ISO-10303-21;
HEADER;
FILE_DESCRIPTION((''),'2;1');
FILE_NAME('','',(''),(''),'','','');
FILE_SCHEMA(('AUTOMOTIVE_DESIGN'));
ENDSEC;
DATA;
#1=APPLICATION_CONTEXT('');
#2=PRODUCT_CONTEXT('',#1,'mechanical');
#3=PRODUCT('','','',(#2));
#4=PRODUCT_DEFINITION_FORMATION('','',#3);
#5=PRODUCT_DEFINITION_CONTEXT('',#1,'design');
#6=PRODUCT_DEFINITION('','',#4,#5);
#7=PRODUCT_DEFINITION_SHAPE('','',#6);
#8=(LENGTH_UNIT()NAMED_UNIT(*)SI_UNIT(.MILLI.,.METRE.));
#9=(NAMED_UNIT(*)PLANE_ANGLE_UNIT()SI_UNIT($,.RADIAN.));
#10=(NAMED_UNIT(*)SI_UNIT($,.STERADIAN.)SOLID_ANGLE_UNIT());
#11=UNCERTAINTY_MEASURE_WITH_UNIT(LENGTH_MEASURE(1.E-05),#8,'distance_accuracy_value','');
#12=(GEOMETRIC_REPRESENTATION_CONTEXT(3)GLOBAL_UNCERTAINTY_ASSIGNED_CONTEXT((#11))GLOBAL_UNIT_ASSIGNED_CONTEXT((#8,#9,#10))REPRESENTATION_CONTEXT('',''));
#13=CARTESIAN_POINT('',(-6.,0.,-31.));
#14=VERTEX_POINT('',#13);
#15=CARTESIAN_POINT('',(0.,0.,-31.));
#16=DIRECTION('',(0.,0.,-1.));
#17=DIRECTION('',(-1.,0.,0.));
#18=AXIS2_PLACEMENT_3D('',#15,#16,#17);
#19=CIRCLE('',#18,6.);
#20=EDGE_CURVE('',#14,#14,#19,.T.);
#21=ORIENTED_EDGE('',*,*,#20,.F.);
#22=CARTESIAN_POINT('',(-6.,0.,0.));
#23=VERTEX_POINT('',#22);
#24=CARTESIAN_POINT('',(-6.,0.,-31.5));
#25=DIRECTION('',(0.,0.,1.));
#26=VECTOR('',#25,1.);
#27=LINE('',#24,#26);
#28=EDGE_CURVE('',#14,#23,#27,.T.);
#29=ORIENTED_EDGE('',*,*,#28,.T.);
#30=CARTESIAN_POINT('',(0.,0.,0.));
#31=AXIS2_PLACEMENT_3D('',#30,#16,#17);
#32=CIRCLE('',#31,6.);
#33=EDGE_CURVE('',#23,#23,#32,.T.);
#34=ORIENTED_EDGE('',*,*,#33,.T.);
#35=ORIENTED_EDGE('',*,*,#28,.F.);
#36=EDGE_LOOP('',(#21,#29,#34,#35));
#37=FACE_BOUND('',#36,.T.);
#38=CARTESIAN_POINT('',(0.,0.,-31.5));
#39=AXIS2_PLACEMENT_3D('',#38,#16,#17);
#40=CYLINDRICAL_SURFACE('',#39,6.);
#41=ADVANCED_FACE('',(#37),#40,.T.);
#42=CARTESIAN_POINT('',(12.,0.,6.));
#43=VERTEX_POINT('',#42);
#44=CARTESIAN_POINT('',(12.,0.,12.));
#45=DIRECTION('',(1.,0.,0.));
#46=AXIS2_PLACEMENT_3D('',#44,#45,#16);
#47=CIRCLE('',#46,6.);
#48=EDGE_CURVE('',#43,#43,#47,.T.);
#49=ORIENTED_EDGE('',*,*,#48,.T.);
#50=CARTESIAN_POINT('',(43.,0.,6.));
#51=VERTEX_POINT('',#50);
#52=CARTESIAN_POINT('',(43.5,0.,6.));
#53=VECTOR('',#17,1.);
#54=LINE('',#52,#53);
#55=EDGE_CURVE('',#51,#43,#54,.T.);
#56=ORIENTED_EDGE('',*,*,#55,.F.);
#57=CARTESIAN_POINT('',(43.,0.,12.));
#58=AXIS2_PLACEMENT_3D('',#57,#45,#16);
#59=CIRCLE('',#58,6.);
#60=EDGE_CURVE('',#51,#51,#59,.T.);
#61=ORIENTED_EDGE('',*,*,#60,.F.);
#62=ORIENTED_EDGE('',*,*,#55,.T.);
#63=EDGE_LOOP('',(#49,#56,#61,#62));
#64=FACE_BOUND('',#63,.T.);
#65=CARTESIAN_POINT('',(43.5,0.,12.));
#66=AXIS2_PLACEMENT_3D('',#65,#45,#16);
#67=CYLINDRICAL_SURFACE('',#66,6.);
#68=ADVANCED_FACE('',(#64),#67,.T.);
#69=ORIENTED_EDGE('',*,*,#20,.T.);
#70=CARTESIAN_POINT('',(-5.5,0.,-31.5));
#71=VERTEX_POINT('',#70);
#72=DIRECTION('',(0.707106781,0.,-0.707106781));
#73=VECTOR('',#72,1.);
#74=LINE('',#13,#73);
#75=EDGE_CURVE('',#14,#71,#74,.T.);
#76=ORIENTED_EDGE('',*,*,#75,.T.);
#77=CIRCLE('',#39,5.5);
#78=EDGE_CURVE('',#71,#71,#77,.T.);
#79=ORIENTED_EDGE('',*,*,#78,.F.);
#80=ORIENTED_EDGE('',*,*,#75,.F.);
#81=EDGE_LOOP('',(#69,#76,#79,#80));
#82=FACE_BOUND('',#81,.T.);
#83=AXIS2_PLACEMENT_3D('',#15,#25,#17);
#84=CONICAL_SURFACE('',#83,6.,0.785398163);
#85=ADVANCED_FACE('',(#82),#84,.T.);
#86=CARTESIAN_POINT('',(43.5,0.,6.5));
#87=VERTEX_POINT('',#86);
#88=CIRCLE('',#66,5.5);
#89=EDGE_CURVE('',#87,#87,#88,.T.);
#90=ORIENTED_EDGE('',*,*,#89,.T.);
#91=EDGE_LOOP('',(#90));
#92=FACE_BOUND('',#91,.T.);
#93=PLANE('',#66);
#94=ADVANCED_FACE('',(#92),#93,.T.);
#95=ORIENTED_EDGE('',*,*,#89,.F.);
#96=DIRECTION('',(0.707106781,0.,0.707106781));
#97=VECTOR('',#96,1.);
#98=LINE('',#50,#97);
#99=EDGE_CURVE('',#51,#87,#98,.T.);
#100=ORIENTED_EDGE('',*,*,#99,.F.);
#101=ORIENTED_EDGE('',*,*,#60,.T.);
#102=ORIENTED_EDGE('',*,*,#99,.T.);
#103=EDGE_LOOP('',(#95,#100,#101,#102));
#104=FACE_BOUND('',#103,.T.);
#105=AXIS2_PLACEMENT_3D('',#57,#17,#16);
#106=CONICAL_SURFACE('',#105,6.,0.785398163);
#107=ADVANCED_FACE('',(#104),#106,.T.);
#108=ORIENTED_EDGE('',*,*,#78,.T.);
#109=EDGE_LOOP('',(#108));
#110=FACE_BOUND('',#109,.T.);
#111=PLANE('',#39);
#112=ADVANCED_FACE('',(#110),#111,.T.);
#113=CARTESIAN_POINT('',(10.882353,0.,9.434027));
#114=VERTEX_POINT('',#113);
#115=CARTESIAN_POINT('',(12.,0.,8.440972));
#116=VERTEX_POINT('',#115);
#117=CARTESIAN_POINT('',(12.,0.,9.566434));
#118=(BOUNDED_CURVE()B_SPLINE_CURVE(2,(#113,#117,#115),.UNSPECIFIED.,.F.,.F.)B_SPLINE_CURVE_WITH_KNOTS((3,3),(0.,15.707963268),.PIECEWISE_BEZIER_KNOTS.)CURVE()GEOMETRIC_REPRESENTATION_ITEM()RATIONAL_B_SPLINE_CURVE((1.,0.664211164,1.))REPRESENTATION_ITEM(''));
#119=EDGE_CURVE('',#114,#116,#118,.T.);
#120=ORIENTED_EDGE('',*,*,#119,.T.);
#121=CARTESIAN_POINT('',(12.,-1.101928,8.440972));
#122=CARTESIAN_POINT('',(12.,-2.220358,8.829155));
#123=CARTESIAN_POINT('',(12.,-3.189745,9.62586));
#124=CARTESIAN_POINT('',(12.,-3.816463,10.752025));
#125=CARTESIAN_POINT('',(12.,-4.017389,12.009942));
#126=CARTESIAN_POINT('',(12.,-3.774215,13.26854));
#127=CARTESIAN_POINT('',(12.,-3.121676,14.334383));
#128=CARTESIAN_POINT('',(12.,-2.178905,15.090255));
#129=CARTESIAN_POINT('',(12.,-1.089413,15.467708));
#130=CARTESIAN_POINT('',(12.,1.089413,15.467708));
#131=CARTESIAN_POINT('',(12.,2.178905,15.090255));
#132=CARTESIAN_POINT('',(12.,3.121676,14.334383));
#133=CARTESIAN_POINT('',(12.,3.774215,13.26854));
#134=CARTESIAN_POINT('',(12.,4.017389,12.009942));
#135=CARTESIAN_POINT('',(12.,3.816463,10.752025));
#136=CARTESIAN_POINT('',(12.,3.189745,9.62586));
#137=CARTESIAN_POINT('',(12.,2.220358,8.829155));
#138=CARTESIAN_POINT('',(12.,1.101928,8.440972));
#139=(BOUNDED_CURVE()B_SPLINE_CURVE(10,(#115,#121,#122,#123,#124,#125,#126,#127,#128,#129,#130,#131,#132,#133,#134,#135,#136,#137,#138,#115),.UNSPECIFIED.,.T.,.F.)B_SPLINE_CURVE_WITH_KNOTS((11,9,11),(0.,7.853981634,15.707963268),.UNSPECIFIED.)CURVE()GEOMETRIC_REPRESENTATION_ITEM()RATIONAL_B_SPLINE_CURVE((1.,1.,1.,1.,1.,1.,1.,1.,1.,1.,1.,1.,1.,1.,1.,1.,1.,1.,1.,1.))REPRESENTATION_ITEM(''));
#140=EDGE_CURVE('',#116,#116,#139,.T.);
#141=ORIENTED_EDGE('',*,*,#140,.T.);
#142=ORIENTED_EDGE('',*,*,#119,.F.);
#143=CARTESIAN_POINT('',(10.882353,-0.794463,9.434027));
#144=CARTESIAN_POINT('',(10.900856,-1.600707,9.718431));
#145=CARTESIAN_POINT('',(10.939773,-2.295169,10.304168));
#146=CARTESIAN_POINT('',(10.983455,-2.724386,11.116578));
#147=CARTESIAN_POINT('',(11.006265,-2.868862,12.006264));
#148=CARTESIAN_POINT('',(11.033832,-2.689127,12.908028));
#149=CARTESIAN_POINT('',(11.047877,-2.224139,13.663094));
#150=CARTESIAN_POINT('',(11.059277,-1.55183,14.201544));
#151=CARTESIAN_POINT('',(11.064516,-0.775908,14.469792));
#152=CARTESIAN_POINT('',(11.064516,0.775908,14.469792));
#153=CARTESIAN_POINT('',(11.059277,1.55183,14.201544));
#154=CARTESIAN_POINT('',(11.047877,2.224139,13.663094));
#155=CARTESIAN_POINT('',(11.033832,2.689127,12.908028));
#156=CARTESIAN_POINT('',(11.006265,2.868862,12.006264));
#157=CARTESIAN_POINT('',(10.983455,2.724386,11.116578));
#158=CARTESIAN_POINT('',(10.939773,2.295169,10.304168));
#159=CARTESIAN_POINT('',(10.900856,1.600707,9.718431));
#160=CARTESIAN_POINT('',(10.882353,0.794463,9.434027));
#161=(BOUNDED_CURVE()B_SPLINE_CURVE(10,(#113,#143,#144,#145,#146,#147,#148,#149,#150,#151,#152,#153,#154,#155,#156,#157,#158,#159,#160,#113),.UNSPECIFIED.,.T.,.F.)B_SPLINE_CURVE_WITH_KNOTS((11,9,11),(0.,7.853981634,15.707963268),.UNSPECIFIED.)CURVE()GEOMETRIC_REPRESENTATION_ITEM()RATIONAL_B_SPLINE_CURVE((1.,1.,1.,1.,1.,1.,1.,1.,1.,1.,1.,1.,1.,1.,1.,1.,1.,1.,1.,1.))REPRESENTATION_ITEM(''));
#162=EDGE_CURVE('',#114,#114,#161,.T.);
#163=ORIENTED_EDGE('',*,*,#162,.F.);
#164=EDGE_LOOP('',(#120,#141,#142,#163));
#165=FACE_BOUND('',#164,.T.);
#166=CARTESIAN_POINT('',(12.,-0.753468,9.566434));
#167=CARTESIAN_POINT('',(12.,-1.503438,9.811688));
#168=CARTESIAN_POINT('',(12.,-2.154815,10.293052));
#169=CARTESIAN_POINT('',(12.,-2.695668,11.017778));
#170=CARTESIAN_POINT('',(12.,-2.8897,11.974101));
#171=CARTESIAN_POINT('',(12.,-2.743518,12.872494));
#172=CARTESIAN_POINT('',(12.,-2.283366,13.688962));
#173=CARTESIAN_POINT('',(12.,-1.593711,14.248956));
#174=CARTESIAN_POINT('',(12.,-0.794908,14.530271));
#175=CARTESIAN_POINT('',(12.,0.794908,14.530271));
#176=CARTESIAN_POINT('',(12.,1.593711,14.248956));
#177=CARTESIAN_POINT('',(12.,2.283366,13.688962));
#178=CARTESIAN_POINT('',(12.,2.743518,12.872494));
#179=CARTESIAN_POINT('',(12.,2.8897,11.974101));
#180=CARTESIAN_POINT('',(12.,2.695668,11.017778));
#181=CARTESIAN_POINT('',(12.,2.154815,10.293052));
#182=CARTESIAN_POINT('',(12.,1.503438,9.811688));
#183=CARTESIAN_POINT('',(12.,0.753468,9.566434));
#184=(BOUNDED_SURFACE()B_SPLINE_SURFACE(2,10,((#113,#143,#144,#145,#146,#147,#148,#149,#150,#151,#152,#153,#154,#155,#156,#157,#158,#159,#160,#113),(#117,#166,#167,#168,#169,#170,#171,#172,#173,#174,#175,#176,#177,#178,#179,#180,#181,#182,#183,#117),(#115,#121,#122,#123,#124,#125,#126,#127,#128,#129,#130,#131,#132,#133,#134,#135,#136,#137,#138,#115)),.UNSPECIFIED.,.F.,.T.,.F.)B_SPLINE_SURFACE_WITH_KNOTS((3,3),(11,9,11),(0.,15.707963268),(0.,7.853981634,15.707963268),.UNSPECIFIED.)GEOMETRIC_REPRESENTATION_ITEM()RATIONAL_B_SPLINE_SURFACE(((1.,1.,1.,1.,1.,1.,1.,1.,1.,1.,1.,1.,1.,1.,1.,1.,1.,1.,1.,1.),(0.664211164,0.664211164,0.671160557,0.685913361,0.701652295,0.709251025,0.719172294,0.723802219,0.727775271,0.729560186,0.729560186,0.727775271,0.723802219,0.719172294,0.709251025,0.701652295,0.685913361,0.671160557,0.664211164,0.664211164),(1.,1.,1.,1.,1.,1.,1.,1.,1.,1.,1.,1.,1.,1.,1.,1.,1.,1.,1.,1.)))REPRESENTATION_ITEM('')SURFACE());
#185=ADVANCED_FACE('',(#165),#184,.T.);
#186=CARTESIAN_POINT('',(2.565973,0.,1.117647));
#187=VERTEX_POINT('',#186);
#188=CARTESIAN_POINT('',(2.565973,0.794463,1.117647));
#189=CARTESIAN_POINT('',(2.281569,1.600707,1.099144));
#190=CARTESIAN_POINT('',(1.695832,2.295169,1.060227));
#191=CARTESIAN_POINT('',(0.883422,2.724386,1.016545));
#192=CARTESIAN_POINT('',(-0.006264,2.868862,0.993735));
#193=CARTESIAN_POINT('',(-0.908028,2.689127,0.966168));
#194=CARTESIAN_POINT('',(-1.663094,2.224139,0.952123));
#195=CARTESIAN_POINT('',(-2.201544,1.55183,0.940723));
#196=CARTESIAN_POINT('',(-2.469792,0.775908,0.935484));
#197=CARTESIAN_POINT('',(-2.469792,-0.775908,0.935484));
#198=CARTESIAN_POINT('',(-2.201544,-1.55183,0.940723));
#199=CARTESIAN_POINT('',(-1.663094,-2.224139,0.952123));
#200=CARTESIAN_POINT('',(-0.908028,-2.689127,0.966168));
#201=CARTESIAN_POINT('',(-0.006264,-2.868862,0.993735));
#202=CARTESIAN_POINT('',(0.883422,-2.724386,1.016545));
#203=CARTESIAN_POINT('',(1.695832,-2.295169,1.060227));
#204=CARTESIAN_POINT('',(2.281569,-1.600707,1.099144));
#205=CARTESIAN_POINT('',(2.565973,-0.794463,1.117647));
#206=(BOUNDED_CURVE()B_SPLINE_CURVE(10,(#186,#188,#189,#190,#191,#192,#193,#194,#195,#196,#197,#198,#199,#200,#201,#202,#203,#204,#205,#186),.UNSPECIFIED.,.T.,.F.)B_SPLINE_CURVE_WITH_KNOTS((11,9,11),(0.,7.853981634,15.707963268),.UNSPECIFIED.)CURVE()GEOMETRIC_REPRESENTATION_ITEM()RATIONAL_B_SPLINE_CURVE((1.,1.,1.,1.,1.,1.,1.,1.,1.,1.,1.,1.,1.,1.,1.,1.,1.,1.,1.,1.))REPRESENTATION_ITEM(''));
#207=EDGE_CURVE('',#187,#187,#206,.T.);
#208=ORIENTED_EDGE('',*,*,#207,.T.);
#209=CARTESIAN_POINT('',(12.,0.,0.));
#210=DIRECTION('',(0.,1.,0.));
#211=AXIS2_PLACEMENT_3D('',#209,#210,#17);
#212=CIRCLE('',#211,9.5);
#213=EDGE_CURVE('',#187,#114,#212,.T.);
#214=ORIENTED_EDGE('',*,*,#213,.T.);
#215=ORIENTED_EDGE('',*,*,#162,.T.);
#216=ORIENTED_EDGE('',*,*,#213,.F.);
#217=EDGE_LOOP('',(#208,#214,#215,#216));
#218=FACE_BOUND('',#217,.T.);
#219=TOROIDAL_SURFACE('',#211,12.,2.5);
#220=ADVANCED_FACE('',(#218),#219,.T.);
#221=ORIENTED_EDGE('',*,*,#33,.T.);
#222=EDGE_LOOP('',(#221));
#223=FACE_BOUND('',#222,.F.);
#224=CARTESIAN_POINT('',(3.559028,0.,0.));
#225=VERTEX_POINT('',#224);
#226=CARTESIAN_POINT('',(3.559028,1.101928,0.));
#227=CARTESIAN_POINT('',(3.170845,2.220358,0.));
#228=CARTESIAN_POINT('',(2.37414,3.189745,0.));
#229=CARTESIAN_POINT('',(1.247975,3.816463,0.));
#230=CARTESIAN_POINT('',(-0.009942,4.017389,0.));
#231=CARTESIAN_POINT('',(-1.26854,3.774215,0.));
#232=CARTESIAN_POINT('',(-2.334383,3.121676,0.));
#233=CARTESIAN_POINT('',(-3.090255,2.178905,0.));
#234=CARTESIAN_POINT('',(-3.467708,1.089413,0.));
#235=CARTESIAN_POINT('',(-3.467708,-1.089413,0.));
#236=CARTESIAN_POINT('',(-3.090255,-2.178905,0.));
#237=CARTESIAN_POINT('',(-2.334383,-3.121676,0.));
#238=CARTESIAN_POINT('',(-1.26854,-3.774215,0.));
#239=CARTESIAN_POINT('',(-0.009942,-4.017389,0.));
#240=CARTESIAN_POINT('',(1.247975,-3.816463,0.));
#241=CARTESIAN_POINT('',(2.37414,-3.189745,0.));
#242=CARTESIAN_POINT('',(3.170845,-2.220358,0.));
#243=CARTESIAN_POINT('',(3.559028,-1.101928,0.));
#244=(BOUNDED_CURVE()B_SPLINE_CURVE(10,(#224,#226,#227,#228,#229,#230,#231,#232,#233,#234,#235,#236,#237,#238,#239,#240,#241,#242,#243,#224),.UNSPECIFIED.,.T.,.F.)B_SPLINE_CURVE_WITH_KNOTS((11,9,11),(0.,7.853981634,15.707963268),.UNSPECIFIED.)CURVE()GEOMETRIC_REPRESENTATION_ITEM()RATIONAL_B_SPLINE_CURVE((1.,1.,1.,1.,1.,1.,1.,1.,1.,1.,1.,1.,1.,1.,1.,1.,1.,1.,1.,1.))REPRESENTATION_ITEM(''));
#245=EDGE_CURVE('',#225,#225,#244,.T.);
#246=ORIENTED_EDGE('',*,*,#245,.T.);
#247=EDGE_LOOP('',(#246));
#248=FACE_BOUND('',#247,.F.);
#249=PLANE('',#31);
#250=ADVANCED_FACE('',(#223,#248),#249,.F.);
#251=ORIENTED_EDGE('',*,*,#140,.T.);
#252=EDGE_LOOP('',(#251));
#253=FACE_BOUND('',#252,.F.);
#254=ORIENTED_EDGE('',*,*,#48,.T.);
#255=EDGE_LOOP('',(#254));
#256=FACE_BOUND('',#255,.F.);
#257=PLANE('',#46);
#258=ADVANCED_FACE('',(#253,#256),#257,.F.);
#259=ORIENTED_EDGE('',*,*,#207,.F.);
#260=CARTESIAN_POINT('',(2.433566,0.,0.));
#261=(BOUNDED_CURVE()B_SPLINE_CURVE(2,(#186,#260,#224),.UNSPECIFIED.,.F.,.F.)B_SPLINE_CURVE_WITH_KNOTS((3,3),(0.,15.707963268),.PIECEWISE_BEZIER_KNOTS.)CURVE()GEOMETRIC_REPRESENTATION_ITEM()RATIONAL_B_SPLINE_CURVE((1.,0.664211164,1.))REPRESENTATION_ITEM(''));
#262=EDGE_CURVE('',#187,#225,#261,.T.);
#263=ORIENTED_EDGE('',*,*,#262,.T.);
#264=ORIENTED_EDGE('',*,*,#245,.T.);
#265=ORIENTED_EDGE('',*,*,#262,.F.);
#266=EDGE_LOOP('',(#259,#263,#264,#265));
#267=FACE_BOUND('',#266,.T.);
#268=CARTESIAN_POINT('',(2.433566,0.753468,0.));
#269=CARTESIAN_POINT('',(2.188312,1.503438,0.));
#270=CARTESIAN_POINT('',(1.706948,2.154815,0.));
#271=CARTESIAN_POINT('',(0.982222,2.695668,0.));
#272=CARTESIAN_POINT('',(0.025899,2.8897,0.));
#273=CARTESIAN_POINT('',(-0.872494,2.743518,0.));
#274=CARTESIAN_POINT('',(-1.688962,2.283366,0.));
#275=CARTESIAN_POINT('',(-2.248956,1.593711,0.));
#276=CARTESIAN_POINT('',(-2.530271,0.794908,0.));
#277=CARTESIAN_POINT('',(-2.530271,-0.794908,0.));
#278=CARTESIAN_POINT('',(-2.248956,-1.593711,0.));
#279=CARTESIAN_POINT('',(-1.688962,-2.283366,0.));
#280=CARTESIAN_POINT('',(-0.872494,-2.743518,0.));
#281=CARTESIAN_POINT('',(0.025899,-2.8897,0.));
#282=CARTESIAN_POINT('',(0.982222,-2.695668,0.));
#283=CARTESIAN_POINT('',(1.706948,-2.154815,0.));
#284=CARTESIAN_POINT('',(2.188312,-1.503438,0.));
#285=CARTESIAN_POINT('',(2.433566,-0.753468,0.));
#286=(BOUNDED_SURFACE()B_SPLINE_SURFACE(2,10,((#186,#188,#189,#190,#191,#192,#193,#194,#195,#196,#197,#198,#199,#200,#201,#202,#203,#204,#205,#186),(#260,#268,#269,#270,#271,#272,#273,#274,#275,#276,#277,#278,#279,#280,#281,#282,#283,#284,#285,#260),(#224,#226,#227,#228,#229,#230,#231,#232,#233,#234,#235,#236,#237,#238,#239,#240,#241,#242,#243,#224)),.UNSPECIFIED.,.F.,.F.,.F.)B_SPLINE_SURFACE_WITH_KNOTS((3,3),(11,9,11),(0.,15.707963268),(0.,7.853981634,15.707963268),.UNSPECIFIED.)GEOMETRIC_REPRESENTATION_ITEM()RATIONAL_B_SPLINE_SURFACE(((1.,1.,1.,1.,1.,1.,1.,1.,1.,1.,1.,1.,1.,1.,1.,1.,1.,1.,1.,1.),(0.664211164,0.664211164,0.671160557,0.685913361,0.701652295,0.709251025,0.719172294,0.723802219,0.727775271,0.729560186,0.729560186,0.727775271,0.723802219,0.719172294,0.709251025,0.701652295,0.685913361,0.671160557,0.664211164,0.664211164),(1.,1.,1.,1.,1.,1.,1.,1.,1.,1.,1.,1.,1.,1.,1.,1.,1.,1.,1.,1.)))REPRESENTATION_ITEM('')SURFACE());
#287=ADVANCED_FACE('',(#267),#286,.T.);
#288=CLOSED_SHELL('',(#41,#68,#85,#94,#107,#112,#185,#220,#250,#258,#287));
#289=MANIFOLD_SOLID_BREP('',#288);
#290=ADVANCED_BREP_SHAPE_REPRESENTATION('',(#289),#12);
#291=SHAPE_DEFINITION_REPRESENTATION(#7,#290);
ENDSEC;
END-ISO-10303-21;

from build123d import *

# Parameters (mm, degrees)
SWEEP2_PROFILE_R     = 2.5
SKETCH49_R           = 6
BOSS_EXTRUDE9_DEPTH  = 31.5
SKETCH54_R           = 6
BOSS_EXTRUDE10_DEPTH = 31.5
FILLET32_R           = 1
FILLET33_R           = 1
CHAMFER1_SIZE        = 0.5
CHAMFER2_SIZE        = 0.5


with BuildPart() as part:
    # Sweep2: sweep along a path in Sketch1
    with BuildLine(Plane(origin=(0, 0, 0), x_dir=(1, 0, 0), z_dir=(0, 1, 0))) as sweep2_path:
        Line((0, 31.5), (0, 0))
        ThreePointArc((0, 0), (3.514718626, -8.485281374), (12, -12))
        Line((12, -12), (43.5, -12))
    # Sweep2 profile (on start of the path) → Sweep2 (sweep)
    with BuildSketch(Plane.XY.offset(-31.5)):
        Circle(SWEEP2_PROFILE_R)
    sweep(path=sweep2_path.line)

    # Sketch49 → Boss-Extrude9 (add)
    with BuildSketch(Plane(origin=(43.5, 0, 0), x_dir=(0, 0, -1), z_dir=(1, 0, 0))):
        with Locations((-12, 0)):
            Circle(SKETCH49_R)
    extrude(amount=-BOSS_EXTRUDE9_DEPTH)

    # Sketch54 → Boss-Extrude10 (add)
    with BuildSketch(Plane(origin=(0, 0, -31.5), x_dir=(-1, 0, 0), z_dir=(0, 0, -1))):
        Circle(SKETCH54_R)
    extrude(amount=-BOSS_EXTRUDE10_DEPTH)

    # Fillet32
    fillet32_edges = [part.edges().sort_by_distance(p)[0] for p in [
        (12, 0, 14.5),
    ]]
    fillet(fillet32_edges, radius=FILLET32_R)

    # Fillet33
    fillet33_edges = [part.edges().sort_by_distance(p)[0] for p in [
        (-2.5, 0, 0),
    ]]
    fillet(fillet33_edges, radius=FILLET33_R)

    # Chamfer1
    chamfer1_edges = [part.edges().sort_by_distance(p)[0] for p in [
        (43.5, 0, 18),
    ]]
    chamfer(chamfer1_edges, length=CHAMFER1_SIZE)

    # Chamfer2
    chamfer2_edges = [part.edges().sort_by_distance(p)[0] for p in [
        (6, 0, -31.5),
    ]]
    chamfer(chamfer2_edges, length=CHAMFER2_SIZE)


solid = part.part
